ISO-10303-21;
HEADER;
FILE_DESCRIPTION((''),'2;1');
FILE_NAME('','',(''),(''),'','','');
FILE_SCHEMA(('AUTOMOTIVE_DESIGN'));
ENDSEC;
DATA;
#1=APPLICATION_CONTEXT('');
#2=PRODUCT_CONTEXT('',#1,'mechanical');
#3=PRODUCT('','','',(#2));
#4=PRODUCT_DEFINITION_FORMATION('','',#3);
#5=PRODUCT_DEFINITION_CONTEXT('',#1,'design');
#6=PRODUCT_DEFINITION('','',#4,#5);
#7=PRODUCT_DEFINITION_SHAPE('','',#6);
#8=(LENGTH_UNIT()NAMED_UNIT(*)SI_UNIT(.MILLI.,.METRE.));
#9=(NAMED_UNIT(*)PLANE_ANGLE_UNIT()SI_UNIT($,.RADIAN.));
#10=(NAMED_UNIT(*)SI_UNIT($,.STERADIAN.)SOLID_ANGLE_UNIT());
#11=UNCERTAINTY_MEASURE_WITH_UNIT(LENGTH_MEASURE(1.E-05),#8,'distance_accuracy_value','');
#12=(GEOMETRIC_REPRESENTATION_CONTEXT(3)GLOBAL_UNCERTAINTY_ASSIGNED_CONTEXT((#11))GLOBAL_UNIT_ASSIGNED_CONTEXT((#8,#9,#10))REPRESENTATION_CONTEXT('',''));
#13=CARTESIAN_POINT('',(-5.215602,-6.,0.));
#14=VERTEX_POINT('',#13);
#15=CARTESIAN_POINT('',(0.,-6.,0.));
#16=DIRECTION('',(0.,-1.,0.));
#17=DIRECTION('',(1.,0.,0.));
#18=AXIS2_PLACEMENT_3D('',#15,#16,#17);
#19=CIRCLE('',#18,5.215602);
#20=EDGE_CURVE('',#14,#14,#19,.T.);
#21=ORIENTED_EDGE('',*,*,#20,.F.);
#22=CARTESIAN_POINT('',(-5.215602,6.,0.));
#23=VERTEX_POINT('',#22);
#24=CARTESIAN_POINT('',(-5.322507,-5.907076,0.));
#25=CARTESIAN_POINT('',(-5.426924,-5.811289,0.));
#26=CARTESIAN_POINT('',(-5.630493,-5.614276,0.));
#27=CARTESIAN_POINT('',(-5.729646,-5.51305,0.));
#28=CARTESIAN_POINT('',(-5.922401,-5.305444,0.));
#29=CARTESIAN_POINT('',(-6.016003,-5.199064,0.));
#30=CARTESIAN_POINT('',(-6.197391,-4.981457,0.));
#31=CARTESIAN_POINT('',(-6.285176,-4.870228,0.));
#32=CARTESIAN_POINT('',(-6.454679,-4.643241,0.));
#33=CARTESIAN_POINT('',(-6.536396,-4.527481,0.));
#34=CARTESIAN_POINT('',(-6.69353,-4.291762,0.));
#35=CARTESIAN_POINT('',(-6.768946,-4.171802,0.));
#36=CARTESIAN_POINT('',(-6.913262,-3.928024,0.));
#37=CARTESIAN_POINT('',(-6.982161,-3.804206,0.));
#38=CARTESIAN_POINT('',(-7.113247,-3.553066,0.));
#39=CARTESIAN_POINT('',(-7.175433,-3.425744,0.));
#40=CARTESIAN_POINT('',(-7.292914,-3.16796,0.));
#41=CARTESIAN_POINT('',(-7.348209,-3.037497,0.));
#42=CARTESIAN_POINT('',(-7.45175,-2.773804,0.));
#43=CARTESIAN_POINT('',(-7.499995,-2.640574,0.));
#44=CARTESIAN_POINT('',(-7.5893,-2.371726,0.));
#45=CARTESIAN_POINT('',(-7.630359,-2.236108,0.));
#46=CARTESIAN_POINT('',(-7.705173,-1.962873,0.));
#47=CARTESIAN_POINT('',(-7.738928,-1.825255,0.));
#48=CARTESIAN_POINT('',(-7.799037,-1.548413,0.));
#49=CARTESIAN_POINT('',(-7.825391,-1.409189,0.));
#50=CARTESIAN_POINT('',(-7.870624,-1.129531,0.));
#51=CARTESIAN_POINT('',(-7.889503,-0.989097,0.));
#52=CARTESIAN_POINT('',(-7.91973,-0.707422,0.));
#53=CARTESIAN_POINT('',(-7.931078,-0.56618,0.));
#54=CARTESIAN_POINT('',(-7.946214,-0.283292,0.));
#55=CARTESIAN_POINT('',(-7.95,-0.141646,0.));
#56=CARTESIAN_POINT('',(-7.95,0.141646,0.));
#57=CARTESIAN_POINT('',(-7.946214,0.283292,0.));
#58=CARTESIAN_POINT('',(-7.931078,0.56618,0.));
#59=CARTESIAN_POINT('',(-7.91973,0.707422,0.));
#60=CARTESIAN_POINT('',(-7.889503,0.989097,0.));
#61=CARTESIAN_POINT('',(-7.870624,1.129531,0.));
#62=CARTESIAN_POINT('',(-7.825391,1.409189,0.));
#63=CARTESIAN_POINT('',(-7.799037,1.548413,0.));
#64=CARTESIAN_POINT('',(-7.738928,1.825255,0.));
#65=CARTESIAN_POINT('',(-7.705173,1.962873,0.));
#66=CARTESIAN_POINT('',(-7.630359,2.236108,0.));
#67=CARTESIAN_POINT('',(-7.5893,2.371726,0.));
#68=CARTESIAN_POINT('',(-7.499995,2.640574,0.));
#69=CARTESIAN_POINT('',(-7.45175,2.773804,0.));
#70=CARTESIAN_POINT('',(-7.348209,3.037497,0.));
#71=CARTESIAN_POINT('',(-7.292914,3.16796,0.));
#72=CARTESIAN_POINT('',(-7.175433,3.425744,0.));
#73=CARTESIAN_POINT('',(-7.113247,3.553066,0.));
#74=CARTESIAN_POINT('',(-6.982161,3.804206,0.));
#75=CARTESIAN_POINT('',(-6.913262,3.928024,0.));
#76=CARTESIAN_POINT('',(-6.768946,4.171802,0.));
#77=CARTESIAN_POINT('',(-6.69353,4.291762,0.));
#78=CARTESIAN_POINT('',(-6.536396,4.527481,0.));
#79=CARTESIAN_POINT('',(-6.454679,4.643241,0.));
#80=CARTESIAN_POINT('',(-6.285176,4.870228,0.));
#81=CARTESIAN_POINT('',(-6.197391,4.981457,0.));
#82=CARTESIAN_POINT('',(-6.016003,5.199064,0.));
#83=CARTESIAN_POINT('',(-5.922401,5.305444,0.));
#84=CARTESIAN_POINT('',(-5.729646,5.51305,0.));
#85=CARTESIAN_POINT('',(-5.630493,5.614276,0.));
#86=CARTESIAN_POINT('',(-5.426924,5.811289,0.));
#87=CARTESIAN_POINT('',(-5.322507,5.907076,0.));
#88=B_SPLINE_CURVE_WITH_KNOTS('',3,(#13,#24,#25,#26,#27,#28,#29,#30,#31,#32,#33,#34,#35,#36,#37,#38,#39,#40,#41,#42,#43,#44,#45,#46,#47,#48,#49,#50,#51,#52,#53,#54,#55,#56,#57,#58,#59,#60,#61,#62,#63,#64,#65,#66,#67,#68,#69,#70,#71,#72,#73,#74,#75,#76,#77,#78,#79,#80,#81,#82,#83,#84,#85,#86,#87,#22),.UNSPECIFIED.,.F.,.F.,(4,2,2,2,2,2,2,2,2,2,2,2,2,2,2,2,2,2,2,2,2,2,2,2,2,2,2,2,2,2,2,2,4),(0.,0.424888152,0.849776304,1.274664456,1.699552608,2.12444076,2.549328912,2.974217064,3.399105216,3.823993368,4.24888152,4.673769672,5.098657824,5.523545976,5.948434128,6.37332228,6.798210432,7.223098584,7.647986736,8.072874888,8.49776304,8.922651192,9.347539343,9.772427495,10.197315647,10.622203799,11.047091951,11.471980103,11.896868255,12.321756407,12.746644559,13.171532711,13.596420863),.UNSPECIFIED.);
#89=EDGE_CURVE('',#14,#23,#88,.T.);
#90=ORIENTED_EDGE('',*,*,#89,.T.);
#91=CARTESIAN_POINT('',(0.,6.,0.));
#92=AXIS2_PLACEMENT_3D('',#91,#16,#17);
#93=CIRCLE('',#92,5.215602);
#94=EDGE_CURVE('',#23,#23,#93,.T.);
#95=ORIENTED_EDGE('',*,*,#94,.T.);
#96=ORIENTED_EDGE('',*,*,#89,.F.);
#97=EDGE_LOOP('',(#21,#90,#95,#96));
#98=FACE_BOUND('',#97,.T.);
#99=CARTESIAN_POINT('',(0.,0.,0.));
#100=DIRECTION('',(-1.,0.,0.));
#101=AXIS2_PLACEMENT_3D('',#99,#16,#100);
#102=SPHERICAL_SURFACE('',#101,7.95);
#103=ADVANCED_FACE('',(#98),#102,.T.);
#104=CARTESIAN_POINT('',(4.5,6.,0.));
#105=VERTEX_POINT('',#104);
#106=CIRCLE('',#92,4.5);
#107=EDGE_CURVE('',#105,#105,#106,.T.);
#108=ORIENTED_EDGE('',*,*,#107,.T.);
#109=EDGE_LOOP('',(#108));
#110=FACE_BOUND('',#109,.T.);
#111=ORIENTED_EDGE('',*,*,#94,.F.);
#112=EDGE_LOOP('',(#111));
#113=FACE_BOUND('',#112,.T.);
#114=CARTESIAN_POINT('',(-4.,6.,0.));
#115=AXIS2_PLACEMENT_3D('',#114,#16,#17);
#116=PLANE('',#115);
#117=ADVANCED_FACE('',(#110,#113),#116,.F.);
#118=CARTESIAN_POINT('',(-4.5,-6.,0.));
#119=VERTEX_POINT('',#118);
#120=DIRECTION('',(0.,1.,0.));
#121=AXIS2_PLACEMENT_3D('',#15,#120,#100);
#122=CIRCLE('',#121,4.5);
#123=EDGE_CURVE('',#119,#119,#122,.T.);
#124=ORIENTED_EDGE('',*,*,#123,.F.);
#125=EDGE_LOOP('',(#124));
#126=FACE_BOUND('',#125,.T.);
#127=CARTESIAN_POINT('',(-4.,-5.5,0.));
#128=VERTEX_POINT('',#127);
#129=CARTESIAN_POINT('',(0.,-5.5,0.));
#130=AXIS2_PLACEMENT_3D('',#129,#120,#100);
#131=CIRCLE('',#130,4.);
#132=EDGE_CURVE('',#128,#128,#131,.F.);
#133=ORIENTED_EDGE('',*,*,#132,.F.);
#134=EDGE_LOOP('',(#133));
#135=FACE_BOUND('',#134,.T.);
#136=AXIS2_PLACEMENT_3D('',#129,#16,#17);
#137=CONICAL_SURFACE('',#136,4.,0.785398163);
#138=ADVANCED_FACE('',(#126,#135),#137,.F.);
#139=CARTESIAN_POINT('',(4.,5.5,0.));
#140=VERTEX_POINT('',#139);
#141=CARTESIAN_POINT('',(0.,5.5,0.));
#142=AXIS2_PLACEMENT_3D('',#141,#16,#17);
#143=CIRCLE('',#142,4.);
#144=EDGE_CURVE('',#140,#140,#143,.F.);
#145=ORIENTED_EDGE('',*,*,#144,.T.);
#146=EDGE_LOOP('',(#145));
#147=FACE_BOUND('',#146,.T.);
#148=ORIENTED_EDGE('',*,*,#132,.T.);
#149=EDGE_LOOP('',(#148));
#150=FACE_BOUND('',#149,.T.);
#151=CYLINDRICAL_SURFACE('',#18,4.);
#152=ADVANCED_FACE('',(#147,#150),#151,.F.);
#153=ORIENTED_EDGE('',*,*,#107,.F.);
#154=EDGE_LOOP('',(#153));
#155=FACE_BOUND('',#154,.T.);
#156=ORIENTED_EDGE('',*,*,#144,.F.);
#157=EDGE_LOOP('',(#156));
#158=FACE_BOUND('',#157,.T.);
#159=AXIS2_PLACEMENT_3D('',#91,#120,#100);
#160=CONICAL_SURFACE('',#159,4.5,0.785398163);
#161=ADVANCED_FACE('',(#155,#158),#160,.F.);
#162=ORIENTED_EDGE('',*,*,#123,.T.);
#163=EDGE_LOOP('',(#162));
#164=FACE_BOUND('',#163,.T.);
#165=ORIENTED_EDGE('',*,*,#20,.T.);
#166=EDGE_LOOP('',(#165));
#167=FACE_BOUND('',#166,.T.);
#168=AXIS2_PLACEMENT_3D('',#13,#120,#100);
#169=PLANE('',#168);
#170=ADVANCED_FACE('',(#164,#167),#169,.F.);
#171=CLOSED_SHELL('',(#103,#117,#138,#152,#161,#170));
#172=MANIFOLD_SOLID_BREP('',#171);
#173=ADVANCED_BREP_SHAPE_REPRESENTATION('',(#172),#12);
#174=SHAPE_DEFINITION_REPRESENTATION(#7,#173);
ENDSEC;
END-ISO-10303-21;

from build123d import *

# Parameters (mm, degrees)
CHAMFER1_SIZE = 0.5


with BuildPart() as part:
    # Sketch1 → Revolve1 (revolve)
    with BuildSketch(Plane.XY):
        with BuildLine():
            Line((-5.215601595, -6), (-4, -6))
            Line((-4, -6), (-4, 6))
            Line((-4, 6), (-5.215601595, 6))
            ThreePointArc((-5.215601595, 6), (-7.95, 0), (-5.215601595, -6))
        make_face()
    revolve(axis=Axis((0, -6, 0), (0, 1, 0)))

    # Chamfer1
    chamfer1_edges = [part.edges().sort_by_distance(p)[0] for p in [
        (4, 6, 0),
        (4, -6, 0),
    ]]
    chamfer(chamfer1_edges, length=CHAMFER1_SIZE)


solid = part.part
